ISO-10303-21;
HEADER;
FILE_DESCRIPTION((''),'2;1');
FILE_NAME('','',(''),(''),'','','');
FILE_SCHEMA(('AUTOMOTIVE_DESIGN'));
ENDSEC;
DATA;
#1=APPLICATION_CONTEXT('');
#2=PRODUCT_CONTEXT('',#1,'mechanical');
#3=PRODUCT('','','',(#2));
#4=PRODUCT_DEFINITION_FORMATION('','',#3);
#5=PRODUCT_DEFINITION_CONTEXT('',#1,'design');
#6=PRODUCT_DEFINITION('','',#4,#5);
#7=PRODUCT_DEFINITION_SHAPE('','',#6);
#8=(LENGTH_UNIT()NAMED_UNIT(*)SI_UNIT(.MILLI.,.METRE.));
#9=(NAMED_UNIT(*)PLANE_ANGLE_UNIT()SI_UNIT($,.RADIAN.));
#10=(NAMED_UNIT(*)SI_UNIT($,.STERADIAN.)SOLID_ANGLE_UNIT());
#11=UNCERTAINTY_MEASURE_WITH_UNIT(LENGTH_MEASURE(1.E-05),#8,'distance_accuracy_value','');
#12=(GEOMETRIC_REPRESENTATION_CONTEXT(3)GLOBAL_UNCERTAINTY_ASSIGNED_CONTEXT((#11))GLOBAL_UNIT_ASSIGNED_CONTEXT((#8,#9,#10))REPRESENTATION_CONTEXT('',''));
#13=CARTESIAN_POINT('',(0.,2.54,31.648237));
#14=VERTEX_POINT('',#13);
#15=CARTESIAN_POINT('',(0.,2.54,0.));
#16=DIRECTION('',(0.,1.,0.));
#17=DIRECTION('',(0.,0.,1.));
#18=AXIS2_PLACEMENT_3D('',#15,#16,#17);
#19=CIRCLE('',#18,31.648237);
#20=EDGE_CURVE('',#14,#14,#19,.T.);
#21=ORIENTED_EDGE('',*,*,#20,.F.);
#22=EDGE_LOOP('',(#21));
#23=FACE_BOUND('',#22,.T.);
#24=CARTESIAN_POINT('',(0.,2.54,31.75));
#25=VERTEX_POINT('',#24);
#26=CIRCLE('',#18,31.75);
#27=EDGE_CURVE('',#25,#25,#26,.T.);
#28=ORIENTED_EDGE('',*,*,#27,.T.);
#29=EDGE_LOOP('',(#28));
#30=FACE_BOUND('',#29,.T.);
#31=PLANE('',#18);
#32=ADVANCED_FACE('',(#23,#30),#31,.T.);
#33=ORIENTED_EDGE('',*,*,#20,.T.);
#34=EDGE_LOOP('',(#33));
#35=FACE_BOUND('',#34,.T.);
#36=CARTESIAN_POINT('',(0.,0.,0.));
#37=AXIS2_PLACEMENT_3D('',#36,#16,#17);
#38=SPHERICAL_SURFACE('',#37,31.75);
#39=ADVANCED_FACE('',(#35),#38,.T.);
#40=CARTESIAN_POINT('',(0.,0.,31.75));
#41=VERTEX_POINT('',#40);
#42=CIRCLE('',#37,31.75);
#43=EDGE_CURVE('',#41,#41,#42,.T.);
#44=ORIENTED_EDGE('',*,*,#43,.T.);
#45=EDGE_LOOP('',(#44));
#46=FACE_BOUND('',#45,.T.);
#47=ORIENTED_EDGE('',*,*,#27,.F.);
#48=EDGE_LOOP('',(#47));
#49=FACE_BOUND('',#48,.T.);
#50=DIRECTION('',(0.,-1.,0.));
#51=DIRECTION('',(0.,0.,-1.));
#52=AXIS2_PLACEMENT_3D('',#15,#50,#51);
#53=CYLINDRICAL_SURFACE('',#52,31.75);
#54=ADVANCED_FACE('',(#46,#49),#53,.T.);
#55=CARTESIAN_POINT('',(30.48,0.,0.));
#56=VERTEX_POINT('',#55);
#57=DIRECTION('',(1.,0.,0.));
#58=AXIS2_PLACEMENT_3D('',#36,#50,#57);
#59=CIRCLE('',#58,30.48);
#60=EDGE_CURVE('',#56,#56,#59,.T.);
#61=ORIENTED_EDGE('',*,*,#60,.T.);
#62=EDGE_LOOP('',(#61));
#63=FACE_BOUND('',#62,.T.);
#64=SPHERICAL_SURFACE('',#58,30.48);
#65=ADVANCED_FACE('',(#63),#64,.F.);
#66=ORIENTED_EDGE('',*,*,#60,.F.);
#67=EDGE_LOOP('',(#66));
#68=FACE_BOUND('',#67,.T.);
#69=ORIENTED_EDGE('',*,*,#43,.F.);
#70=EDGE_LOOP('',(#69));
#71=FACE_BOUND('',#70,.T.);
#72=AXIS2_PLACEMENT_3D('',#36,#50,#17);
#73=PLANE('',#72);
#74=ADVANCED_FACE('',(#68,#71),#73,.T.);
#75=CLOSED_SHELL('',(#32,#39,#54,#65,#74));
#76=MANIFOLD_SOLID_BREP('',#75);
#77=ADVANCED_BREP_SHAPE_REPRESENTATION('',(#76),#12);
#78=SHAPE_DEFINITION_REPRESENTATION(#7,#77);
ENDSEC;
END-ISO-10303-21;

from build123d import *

# Parameters (mm, degrees)
REVOLVE1_ANGLE      = 180
SHELL1_T            = -1.27
SKETCH6_R           = 31.75
SKETCH6_R_2         = 30.48
BOSS_EXTRUDE1_DEPTH = 2.54


with BuildPart() as part:
    # Sketch1 → Revolve1 (revolve)
    with BuildSketch(Plane(origin=(0, 0, 0), x_dir=(1, 0, 0), z_dir=(0, 1, 0))):
        with BuildLine():
            Line((0, 31.75), (0, -31.75))
            ThreePointArc((0, -31.75), (31.75, 0), (0, 31.75))
        make_face()
    revolve(axis=Axis((0, 0, -31.75), (0, 0, 1)), revolution_arc=REVOLVE1_ANGLE)

    # Shell1
    shell1_openings = [part.faces().sort_by_distance(p)[0] for p in [
        (0, 0, 0),
    ]]
    offset(amount=SHELL1_T, openings=shell1_openings)

    # Sketch6 → Boss-Extrude1 (add)
    with BuildSketch(Plane(origin=(0, 0, 0), x_dir=(1, 0, 0), z_dir=(0, 1, 0))):
        with Locations(Location((0, 0, 0), (0, 0, 270))):
            Circle(SKETCH6_R)
        Circle(SKETCH6_R_2, mode=Mode.SUBTRACT)
    extrude(amount=BOSS_EXTRUDE1_DEPTH)


solid = part.part
